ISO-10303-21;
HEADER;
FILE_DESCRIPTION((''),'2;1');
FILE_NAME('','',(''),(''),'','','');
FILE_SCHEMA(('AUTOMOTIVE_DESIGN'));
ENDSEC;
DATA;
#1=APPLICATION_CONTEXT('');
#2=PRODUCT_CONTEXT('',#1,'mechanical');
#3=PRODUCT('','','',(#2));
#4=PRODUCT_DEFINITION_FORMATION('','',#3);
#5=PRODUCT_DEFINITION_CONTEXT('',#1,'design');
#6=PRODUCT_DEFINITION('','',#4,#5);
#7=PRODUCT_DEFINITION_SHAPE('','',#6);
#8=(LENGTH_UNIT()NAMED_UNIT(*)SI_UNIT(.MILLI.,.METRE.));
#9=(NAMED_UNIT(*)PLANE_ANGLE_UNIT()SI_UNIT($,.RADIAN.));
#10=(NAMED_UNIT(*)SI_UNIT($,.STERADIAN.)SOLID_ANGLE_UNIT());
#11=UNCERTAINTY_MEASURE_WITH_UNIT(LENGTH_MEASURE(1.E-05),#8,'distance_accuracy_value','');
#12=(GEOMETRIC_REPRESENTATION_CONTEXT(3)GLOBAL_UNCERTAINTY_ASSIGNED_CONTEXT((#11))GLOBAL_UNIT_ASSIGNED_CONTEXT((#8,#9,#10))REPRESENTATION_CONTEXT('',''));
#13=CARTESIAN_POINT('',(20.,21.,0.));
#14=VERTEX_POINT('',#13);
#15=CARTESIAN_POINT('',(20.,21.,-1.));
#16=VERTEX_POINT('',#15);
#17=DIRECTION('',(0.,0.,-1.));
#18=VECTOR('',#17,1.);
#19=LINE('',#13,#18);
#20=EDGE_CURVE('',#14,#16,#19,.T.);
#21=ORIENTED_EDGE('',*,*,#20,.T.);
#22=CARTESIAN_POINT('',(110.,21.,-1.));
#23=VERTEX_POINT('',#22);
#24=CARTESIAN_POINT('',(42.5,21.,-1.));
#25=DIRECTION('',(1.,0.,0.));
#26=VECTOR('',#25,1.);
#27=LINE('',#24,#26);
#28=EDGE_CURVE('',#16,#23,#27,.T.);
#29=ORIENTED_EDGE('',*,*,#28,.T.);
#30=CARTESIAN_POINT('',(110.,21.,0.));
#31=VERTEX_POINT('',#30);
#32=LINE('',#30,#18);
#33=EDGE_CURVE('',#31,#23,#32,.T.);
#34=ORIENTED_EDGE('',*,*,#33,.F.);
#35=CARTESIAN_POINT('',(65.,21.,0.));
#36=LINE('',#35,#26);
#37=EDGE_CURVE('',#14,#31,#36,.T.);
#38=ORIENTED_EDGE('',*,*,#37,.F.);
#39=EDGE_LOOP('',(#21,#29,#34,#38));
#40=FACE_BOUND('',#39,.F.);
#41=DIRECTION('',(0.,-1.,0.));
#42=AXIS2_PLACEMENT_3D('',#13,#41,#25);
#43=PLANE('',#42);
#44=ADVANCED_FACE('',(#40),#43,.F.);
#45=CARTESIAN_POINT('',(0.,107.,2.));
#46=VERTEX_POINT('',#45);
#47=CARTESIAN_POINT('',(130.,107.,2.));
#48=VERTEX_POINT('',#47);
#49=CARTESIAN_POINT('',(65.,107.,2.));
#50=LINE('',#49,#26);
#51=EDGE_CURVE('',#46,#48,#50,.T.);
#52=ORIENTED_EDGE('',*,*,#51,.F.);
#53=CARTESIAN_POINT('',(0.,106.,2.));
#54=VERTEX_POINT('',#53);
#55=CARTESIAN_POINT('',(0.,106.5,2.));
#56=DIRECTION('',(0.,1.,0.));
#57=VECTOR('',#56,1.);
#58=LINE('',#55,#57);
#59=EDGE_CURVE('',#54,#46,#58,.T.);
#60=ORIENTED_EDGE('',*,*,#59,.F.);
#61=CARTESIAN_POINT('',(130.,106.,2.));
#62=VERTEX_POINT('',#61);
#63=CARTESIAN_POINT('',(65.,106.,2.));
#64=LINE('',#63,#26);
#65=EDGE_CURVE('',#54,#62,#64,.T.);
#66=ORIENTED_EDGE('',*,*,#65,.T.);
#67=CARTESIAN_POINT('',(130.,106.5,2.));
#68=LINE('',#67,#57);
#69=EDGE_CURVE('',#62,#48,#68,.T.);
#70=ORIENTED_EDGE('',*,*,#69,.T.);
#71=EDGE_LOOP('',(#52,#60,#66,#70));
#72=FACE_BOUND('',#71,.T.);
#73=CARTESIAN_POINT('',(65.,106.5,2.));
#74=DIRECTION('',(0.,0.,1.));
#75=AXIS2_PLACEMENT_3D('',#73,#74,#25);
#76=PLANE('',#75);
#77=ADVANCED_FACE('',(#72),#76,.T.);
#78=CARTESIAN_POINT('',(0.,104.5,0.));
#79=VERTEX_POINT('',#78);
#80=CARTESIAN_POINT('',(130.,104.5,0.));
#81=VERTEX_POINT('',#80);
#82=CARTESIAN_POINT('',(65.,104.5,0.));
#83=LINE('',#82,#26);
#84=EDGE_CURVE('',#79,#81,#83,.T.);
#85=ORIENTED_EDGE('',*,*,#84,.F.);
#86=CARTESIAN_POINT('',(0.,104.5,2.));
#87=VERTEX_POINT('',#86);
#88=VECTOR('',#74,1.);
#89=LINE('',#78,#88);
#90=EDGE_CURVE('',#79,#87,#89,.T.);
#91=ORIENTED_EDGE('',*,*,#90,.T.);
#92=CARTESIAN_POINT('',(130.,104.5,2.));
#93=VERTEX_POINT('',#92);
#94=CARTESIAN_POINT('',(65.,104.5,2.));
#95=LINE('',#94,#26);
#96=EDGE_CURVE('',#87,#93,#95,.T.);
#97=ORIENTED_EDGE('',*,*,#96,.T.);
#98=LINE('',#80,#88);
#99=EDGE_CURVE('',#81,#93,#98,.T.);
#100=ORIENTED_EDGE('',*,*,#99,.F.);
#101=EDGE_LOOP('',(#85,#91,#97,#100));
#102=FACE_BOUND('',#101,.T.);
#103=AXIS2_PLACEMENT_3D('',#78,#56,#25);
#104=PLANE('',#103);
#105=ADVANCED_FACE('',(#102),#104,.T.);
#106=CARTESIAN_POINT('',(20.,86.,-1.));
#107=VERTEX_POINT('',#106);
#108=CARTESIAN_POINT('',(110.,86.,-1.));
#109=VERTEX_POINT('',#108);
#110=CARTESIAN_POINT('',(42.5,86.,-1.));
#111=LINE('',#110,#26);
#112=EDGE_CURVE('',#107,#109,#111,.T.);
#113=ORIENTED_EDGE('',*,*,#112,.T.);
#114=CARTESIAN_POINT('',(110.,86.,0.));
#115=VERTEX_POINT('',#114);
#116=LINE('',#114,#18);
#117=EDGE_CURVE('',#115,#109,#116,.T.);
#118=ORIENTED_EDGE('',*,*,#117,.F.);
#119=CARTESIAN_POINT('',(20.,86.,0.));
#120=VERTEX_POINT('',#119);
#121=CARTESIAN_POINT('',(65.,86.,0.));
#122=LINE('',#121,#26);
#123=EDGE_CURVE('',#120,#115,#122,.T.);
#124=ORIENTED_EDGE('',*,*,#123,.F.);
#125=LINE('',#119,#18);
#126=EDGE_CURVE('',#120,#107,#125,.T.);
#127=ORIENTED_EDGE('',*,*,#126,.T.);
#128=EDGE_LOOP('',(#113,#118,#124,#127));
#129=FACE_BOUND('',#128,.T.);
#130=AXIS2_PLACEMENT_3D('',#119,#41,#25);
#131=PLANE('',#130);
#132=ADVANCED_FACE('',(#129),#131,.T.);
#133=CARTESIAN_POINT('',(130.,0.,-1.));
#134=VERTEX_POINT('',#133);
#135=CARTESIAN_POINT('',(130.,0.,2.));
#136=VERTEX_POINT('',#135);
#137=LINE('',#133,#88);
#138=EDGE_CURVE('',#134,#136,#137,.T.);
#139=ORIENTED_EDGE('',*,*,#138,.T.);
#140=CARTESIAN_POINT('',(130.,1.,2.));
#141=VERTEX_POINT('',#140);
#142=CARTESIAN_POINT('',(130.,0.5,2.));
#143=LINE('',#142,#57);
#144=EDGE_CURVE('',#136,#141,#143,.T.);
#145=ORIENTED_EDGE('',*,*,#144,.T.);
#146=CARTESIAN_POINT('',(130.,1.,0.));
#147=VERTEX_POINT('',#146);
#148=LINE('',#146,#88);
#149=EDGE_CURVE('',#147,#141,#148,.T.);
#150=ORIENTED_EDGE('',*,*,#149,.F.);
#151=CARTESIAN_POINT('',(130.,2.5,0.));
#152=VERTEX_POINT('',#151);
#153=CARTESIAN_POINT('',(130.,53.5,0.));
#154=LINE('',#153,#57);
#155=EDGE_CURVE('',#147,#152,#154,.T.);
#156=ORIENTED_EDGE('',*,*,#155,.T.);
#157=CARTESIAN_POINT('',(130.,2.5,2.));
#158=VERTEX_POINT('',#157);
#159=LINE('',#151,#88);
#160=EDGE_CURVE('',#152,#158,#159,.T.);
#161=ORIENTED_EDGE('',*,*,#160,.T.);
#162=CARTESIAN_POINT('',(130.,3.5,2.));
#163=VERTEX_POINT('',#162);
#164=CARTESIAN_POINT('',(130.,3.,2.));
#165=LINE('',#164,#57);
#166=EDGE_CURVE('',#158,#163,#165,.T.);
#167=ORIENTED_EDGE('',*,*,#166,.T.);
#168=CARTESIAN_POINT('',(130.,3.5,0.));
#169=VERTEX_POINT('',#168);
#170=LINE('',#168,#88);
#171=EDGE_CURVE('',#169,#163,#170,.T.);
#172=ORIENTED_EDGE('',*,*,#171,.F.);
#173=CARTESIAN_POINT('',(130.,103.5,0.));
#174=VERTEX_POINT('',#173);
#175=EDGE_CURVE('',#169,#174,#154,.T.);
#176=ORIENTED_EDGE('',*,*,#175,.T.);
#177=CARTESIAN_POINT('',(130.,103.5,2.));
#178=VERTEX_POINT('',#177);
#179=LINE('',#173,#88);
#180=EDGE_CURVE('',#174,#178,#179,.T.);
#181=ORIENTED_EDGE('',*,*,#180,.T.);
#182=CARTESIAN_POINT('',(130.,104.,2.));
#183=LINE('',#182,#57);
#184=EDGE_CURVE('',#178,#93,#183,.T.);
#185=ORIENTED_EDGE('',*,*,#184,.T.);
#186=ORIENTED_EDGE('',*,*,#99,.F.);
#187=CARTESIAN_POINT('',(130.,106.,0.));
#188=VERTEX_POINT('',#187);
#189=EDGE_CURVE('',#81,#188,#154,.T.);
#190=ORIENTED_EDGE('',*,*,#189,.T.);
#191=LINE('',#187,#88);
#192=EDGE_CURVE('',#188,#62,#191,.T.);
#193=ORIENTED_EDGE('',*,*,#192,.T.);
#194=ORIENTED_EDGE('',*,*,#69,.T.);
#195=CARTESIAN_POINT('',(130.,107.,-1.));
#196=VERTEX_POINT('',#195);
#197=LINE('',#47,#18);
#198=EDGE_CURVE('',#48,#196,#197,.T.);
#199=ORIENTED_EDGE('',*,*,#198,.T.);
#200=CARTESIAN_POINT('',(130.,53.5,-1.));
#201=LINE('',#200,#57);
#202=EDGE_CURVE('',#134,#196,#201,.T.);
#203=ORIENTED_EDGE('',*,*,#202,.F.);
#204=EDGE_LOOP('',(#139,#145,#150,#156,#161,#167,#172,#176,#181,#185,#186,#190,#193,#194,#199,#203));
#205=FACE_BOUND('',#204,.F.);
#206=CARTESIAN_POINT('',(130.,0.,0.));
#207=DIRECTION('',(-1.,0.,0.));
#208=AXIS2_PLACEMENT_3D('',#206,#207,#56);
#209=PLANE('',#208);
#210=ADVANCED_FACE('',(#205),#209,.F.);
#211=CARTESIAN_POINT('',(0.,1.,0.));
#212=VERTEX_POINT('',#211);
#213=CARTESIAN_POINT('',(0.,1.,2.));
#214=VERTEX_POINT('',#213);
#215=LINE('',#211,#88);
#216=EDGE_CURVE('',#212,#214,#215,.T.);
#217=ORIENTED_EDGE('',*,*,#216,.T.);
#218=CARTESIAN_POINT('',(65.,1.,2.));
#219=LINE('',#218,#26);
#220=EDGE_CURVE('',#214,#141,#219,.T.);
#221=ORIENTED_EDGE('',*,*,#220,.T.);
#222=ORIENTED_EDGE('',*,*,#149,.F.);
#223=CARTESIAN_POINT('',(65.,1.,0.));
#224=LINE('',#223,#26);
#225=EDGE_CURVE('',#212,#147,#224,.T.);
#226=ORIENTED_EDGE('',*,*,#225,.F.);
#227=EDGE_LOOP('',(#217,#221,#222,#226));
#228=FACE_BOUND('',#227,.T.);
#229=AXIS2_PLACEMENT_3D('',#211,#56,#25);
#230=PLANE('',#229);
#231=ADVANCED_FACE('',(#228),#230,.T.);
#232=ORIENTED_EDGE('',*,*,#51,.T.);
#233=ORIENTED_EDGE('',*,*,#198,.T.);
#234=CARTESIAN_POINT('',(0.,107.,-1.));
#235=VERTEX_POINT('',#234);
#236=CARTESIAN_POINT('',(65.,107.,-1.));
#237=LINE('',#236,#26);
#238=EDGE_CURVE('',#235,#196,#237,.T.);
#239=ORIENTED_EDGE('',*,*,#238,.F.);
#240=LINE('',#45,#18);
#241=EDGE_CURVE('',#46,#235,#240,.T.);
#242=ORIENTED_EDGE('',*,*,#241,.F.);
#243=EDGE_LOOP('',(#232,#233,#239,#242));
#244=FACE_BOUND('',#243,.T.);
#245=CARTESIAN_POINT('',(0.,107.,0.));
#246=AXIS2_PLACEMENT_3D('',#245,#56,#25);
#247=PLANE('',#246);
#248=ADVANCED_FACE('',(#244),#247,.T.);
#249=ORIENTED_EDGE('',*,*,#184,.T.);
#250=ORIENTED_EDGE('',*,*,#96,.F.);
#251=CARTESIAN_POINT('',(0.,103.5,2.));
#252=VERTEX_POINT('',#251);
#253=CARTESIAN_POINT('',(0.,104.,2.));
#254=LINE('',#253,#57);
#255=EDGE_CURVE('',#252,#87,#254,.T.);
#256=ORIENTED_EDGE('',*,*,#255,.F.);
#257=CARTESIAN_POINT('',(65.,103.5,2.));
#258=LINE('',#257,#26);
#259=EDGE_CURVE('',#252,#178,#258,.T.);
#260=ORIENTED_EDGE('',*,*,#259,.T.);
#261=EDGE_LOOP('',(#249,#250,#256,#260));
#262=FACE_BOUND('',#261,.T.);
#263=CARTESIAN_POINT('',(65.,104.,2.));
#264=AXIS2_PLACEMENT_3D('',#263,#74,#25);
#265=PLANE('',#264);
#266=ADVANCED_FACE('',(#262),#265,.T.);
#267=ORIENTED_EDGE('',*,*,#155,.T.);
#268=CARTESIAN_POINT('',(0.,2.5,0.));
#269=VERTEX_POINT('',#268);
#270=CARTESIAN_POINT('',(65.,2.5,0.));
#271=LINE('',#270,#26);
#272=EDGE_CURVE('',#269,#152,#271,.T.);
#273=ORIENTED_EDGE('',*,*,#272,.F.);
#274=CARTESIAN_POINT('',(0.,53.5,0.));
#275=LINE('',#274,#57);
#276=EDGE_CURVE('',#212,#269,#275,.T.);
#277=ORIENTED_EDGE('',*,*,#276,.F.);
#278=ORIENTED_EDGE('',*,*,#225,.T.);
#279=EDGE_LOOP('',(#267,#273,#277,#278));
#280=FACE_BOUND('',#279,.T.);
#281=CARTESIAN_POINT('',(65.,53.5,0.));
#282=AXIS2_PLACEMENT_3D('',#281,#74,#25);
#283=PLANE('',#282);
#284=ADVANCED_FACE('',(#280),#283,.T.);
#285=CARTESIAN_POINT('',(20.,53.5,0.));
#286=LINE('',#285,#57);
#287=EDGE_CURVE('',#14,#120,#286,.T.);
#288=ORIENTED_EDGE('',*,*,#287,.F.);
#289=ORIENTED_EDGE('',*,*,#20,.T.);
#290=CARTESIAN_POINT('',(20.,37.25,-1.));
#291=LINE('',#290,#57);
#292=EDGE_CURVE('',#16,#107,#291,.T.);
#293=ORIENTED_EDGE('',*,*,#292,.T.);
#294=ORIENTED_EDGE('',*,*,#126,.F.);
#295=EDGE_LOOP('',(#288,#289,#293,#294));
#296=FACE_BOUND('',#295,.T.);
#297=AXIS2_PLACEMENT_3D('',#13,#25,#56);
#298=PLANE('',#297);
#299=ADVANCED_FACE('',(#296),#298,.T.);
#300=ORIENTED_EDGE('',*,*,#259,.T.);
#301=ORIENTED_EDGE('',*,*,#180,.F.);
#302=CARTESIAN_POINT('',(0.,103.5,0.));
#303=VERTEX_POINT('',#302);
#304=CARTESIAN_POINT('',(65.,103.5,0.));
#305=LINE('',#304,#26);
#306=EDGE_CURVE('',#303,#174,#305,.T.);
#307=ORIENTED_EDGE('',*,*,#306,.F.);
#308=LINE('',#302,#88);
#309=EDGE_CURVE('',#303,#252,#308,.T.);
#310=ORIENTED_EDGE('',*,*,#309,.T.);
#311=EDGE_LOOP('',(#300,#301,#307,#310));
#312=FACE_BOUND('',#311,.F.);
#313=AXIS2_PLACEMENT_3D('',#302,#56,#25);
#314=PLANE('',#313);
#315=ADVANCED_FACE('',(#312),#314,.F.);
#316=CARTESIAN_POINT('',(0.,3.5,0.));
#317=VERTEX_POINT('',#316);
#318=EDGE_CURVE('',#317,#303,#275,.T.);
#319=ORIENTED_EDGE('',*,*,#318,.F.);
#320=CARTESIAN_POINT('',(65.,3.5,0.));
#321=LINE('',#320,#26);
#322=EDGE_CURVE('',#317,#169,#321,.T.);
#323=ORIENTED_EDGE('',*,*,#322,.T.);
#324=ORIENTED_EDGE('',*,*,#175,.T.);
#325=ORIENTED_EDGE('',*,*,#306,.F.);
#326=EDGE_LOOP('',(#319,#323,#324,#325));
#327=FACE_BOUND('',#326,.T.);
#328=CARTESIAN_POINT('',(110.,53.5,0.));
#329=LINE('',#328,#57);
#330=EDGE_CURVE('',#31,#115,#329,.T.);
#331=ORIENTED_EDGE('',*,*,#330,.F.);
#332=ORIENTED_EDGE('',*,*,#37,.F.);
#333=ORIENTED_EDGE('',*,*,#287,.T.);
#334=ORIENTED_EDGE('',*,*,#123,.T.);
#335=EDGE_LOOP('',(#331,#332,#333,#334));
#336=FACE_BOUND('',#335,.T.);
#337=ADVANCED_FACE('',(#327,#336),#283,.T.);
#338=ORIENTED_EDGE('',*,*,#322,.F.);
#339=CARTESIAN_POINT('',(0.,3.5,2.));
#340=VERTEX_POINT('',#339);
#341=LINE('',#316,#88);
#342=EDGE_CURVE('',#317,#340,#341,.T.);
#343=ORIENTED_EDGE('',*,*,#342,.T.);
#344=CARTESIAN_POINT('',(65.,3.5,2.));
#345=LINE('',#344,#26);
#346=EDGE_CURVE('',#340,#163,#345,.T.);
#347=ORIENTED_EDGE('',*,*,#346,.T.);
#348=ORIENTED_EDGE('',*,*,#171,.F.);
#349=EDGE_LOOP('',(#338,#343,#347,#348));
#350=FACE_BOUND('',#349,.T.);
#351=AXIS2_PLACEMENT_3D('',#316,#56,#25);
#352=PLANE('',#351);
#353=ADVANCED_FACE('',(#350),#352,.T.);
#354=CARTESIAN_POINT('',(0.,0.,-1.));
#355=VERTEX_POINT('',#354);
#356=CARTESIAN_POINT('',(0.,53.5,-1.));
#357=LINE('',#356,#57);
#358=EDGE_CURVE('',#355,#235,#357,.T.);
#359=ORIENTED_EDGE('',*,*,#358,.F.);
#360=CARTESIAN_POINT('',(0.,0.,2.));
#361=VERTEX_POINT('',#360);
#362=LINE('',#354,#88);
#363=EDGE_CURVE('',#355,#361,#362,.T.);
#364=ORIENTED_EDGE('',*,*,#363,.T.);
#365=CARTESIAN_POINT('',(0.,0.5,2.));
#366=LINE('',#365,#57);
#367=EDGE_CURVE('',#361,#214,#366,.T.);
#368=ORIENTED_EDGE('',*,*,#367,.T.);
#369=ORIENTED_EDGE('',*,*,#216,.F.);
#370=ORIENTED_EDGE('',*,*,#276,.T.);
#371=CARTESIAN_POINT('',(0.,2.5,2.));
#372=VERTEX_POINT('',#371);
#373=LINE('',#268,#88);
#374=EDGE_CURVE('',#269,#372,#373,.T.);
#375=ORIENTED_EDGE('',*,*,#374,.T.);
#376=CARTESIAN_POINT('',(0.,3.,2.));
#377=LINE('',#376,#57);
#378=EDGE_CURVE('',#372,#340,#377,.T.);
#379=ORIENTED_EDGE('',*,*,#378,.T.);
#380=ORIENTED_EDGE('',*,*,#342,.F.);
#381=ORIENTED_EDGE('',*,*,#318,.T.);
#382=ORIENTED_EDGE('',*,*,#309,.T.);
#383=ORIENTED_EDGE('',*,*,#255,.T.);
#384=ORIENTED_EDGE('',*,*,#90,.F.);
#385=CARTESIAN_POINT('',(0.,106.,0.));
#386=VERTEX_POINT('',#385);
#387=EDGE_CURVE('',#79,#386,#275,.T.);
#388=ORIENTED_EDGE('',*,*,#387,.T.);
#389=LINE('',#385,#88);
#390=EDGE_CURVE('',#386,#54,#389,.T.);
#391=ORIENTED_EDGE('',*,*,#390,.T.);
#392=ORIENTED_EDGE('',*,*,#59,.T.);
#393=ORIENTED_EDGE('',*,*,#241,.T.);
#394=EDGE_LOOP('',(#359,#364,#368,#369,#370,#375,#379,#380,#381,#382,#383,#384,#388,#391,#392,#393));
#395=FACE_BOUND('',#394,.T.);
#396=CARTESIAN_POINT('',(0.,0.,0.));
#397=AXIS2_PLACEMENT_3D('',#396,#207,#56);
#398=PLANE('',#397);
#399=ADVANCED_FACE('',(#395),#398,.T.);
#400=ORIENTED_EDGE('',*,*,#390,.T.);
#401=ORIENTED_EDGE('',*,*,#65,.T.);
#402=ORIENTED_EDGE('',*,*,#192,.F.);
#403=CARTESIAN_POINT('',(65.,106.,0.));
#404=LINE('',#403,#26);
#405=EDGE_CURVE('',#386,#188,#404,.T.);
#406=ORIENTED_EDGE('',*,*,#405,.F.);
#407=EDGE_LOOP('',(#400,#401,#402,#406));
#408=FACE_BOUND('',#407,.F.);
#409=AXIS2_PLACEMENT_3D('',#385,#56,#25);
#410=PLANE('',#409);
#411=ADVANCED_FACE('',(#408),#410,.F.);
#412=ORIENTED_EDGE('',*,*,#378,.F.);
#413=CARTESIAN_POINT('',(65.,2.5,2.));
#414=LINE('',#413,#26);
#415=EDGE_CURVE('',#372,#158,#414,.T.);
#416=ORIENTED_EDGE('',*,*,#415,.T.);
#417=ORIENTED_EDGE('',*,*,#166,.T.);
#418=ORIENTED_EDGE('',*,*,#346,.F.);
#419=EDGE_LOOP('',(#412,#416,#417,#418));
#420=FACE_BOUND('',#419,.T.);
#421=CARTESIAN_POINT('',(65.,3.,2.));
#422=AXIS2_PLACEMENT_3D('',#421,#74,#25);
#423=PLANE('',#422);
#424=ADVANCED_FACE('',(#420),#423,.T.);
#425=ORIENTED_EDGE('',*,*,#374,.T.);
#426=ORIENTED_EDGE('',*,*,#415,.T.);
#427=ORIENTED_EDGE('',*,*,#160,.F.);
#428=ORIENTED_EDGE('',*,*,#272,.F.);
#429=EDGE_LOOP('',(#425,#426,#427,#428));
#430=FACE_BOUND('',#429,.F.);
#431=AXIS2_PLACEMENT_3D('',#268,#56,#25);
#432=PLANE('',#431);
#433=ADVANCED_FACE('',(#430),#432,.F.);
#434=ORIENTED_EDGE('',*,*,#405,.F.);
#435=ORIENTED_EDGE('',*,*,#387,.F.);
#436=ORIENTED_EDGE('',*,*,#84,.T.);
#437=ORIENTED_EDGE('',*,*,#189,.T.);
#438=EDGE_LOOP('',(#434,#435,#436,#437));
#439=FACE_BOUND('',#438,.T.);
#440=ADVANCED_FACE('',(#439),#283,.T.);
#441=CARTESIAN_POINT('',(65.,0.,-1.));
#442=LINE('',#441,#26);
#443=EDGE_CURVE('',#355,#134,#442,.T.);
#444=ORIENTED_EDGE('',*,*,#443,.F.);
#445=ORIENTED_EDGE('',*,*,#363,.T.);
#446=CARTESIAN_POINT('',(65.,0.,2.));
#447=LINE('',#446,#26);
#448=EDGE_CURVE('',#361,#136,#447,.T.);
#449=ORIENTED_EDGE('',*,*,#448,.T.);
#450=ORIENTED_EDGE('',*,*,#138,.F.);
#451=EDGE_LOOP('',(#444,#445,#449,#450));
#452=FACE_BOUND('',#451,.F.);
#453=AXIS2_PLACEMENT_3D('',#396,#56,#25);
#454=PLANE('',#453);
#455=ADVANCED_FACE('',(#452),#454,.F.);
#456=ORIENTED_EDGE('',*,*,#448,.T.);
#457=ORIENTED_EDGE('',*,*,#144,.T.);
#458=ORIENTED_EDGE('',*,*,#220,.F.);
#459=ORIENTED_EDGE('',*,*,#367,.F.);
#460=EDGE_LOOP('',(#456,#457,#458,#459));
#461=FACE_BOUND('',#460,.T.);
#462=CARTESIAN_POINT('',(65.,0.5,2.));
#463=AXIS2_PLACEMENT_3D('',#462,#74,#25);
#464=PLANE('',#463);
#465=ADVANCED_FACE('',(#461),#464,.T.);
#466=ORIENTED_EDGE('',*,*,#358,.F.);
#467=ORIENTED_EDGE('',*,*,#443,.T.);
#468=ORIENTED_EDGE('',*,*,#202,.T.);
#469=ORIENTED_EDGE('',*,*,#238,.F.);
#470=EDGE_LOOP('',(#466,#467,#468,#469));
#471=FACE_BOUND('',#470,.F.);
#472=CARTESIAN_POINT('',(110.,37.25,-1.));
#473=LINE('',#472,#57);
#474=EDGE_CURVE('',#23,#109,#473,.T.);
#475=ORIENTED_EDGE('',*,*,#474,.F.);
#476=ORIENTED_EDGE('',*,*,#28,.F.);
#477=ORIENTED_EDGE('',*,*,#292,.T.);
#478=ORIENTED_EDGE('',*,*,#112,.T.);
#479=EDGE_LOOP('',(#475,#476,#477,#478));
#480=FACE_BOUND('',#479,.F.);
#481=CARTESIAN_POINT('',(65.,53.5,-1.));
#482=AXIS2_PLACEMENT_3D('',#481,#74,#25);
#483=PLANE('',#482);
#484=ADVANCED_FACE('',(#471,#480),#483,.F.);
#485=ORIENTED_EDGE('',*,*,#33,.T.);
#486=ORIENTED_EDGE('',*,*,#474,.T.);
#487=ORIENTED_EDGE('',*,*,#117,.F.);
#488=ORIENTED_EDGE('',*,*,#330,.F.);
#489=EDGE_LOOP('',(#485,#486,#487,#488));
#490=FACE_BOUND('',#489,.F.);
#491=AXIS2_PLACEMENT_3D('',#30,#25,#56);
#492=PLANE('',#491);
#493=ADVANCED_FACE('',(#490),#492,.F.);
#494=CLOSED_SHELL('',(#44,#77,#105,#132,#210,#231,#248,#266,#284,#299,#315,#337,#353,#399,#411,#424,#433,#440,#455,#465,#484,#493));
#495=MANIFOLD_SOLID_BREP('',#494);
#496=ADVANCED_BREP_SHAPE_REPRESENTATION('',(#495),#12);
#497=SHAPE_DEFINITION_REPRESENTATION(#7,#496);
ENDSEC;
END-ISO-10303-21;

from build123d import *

# Parameters (mm, degrees)
SKETCH_W          = 130
SKETCH_H          = 107
PAD_DEPTH         = 1
SKETCH001_W       = 130
SKETCH001_H       = 1
PAD001_DEPTH      = 2
SKETCH002_W       = 130
SKETCH002_H       = 1
PAD002_DEPTH      = 2
SKETCH003_W       = 130
SKETCH003_H       = 1
PAD003_DEPTH      = 2
SKETCH004_W       = 130
SKETCH004_H       = 1
PAD004_DEPTH      = 2
SKETCH005_W       = 90
SKETCH005_H       = 65
POCKET_DEPTH      = 1.001
POCKET_DEPTH_BACK = 2.001


with BuildPart() as part:
    # Sketch → Pad (new body)
    with BuildSketch(Plane.XY):
        with Locations((65, 53.5)):
            Rectangle(SKETCH_W, SKETCH_H)
    extrude(amount=-PAD_DEPTH)

    # Sketch001 → Pad001 (join)
    with BuildSketch(Plane.XY):
        with Locations((65, 106.5)):
            Rectangle(SKETCH001_W, SKETCH001_H)
    extrude(amount=PAD001_DEPTH)

    # Sketch002 → Pad002 (join)
    with BuildSketch(Plane.XY):
        with Locations((65, 104)):
            Rectangle(SKETCH002_W, SKETCH002_H)
    extrude(amount=PAD002_DEPTH)

    # Sketch003 → Pad003 (join)
    with BuildSketch(Plane.XY):
        with Locations((65, 3)):
            Rectangle(SKETCH003_W, SKETCH003_H)
    extrude(amount=PAD003_DEPTH)

    # Sketch004 → Pad004 (join)
    with BuildSketch(Plane.XY):
        with Locations((65, 0.5)):
            Rectangle(SKETCH004_W, SKETCH004_H)
    extrude(amount=PAD004_DEPTH)

    # Sketch005 → Pocket (cut, two sides)
    with BuildSketch(Plane.XY) as pocket_sk:
        with Locations((65, 53.5)):
            Rectangle(SKETCH005_W, SKETCH005_H)
    extrude(amount=-POCKET_DEPTH, mode=Mode.SUBTRACT)
    extrude(pocket_sk.sketch, amount=POCKET_DEPTH_BACK, mode=Mode.SUBTRACT)


solid = part.part
